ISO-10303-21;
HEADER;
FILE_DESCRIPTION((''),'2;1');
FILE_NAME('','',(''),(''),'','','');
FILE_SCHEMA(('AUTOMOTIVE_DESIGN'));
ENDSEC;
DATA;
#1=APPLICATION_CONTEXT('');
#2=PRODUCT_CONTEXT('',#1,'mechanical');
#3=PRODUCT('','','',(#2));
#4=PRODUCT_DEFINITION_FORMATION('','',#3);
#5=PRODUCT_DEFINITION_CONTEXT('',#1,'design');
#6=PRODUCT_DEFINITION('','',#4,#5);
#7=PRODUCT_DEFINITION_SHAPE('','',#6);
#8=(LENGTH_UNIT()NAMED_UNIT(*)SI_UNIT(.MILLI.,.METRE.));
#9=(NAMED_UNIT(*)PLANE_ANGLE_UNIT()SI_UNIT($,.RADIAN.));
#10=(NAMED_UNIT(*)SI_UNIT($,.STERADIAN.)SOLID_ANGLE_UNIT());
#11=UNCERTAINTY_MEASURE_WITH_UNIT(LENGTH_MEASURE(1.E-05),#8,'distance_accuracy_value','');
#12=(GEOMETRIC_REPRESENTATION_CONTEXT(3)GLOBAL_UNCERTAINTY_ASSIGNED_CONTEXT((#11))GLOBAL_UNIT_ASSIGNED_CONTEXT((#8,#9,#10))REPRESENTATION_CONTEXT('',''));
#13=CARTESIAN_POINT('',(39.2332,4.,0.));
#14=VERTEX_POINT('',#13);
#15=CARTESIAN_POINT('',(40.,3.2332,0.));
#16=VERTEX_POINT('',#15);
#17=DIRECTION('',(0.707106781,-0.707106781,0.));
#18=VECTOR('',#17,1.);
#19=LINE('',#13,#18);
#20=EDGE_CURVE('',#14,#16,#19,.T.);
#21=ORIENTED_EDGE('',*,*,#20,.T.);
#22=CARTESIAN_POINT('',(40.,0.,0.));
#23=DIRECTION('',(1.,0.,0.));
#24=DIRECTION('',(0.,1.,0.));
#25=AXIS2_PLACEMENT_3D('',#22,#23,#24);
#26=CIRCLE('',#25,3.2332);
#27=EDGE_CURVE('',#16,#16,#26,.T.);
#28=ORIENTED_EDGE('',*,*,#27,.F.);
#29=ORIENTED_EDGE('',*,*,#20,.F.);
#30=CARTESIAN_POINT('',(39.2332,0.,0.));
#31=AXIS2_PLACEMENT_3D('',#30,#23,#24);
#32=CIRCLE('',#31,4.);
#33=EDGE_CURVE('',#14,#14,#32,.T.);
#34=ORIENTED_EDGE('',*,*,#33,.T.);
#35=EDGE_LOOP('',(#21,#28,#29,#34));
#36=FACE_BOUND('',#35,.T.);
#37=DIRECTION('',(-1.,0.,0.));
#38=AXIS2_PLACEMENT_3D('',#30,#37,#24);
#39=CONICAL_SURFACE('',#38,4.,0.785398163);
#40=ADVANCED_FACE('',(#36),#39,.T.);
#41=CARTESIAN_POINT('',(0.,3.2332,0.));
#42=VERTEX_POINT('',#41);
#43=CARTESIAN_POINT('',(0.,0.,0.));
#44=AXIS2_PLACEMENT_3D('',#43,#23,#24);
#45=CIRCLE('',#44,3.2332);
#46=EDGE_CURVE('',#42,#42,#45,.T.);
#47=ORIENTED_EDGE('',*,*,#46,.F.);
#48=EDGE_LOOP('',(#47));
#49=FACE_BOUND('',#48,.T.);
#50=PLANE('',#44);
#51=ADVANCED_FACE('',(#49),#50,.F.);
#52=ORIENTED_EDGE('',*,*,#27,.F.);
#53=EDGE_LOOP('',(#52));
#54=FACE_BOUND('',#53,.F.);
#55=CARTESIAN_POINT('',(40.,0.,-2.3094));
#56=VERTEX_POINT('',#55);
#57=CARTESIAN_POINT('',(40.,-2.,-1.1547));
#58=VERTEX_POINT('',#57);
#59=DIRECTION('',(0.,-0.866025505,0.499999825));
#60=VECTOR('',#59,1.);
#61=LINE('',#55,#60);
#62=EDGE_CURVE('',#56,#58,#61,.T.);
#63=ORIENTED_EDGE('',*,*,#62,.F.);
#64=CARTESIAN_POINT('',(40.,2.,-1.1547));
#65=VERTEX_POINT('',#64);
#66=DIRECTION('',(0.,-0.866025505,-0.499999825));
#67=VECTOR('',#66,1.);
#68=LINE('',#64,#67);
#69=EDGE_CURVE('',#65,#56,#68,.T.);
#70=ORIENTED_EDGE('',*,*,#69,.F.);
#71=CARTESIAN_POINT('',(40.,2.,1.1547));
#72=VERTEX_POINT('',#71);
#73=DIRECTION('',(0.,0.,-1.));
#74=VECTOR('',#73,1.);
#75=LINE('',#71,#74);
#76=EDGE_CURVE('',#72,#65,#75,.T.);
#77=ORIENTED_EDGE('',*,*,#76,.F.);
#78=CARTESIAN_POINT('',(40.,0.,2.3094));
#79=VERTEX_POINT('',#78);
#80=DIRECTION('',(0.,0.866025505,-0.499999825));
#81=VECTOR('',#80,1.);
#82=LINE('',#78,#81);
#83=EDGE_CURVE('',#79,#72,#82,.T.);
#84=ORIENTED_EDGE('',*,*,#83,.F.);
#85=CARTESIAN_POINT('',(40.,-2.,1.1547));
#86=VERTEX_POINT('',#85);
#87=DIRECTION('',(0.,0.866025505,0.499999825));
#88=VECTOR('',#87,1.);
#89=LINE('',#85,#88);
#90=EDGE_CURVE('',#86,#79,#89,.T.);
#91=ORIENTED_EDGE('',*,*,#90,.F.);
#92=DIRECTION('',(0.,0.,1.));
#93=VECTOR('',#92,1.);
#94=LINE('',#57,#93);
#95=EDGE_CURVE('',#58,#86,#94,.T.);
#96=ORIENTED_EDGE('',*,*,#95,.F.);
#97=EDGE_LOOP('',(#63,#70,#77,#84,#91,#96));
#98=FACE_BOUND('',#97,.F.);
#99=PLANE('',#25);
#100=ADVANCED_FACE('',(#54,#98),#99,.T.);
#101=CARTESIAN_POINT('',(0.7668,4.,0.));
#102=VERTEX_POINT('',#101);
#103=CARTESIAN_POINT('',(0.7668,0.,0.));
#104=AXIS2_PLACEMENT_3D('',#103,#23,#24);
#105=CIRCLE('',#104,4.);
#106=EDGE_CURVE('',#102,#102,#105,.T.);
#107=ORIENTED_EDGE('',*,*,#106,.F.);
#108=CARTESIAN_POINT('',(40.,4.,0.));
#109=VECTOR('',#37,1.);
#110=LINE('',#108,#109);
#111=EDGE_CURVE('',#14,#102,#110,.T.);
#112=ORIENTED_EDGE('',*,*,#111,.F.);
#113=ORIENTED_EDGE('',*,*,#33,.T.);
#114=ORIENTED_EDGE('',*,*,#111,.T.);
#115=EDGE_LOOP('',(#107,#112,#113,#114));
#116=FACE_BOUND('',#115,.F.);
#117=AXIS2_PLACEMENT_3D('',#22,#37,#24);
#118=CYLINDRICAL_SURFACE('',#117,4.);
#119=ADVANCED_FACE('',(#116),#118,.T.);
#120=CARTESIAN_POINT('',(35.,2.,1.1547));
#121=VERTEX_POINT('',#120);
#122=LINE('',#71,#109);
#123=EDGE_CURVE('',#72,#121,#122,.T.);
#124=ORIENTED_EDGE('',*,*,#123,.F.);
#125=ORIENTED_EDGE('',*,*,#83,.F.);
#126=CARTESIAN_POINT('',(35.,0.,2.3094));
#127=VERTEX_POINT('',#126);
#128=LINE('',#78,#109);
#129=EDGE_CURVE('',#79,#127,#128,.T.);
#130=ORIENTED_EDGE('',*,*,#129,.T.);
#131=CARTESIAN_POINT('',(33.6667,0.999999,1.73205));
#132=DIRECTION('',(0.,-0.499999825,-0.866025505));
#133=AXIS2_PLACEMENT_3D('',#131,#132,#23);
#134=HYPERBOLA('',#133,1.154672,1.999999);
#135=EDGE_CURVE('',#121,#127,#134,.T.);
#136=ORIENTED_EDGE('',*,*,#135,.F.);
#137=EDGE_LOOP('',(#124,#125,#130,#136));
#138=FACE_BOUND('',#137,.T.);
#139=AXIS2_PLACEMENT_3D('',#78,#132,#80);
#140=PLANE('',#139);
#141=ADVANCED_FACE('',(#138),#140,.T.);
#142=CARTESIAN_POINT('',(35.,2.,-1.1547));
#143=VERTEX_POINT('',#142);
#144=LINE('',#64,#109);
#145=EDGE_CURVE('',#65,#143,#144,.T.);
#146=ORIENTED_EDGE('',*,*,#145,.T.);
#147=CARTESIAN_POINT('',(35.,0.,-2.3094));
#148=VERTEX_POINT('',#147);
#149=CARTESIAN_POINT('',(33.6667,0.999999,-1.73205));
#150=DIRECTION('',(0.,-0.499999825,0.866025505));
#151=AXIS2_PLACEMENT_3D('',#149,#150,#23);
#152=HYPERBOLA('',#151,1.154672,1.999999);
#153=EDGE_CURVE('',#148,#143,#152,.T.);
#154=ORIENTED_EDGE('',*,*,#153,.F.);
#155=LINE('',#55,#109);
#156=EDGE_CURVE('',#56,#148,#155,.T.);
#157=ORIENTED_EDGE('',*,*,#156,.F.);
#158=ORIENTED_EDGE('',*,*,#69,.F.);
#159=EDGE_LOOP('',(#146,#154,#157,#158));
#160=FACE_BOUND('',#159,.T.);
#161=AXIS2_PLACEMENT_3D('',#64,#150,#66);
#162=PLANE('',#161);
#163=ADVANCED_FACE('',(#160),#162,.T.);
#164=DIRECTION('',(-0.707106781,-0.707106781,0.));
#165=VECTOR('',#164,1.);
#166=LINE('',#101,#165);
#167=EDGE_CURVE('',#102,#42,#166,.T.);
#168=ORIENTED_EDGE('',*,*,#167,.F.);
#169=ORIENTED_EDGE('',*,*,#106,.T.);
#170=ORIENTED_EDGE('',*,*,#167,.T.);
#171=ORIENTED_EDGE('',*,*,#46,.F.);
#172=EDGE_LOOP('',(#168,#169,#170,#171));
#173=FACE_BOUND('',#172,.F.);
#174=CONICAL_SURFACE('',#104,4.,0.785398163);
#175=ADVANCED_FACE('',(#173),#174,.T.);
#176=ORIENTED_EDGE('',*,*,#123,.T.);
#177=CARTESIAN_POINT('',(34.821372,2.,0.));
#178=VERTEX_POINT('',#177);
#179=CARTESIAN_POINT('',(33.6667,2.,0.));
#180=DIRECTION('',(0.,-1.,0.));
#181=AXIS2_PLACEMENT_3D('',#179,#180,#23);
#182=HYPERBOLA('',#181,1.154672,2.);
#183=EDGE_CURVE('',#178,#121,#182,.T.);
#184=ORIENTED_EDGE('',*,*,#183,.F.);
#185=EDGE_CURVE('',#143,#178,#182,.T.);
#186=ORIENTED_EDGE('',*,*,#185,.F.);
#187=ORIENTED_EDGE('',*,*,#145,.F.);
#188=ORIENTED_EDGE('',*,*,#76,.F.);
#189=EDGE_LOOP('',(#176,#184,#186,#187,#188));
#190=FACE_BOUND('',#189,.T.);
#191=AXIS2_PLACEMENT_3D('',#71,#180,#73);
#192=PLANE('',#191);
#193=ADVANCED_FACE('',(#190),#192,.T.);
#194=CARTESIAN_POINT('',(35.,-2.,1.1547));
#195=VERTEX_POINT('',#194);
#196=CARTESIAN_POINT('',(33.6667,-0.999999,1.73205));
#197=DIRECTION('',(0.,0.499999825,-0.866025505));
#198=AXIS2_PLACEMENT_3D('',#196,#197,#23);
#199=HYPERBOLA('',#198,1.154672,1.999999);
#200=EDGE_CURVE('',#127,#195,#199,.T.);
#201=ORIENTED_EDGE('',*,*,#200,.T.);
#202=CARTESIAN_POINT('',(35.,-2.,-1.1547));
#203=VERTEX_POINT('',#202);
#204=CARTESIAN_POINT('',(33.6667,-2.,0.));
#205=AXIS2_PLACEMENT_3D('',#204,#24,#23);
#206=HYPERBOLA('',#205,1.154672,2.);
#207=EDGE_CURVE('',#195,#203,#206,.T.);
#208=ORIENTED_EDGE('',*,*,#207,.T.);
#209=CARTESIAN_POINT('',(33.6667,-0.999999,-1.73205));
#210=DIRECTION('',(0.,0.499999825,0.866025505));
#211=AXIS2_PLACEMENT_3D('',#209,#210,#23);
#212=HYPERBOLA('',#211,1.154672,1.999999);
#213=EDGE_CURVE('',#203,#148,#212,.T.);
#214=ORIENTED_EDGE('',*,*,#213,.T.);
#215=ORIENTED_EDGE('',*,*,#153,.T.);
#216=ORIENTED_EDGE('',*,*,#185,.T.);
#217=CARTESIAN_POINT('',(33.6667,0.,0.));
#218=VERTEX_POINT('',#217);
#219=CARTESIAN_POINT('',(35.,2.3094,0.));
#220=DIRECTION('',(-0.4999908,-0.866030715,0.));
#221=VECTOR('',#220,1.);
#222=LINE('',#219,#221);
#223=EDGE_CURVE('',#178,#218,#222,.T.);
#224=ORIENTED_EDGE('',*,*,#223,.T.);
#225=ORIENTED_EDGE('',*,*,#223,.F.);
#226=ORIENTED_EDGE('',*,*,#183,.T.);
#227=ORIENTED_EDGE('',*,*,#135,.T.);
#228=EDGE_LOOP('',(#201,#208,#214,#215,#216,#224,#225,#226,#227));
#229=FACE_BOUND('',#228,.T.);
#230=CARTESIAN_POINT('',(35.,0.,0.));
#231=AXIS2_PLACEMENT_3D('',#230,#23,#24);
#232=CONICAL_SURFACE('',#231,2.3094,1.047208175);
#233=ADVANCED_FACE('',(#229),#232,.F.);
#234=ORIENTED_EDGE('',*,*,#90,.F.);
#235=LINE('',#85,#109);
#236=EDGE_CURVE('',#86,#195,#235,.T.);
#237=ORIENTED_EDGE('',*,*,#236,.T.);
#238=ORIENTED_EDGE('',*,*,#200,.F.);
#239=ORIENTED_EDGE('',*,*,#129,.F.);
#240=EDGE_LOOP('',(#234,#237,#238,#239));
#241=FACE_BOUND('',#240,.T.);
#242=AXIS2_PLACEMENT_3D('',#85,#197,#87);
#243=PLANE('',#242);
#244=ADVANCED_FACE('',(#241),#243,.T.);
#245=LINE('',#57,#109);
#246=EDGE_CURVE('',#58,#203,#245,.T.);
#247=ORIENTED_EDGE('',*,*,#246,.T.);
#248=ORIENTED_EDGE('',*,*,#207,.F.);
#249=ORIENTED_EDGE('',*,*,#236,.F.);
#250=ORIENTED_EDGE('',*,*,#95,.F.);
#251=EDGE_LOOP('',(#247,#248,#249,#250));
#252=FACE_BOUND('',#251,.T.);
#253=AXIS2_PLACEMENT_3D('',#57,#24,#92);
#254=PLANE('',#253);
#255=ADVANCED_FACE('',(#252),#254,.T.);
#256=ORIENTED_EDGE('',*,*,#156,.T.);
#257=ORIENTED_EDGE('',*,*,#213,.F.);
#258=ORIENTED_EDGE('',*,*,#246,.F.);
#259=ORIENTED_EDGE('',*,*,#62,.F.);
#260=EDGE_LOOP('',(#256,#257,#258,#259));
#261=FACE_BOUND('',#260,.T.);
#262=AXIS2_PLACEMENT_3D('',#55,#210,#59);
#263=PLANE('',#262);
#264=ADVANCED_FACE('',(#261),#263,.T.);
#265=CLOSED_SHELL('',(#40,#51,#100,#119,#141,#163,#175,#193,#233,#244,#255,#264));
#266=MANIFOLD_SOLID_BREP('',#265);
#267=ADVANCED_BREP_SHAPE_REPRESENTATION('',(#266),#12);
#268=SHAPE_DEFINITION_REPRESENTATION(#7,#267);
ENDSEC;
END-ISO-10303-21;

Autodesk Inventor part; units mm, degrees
ref_plane "YZ Plane" through (0, 0, 0) normal (1, 0, 0) x (0, 1, 0)
ref_plane "XZ Plane" through (0, 0, 0) normal (0, 1, 0) x (-1, 0, 0)
sketch "Sketch1" plane through (0, 0, 0) normal (0, 0, 1) x (1, 0, 0)
  line L0 (0, 0) -> (33.6667, 0)
  line L1 (40, 2.3094) -> (40, 4)
  line L2 (40, 4) -> (0, 4)
  line L3 (40, 2.3094) -> (35, 2.3094)
  line L4 (35, 2.3094) -> (33.6667, 0)
  line L5 (0, -0.8) -> (0, 4.8) projected
  line L6 (0, 4) -> (0, 0)
  dimension "d0" = 5
  dimension "d1" = 60
  dimension "d2" = 8
  dimension "d3" = 4.6188
  dimension "d5" = 40
revolve "Body" add sketch "Sketch1" angle 360 about axis through (0, 0, 0) along (1, 0, 0)
chamfer "Chamfer1" distance 0.7668 angle 45 1 edges at (40, -4, 0) measured on face at (40, 3.3754, -0.5033)
sketch "Sketch2" plane through (40, 0, 0) normal (1, 0, 0) x (0, 0, -1)
  circle A0 centre (0, 0) radius 2.3094 projected
  line L0 (-1.1547, 2) -> (1.1547, 2)
  line L1 (1.1547, 2) -> (2.3094, 0)
  line L2 (2.3094, 0) -> (1.1547, -2)
  line L3 (1.1547, -2) -> (-1.1547, -2)
  line L4 (-1.1547, -2) -> (-2.3094, 0)
  line L5 (-2.3094, 0) -> (-1.1547, 2)
extrude "Slot" add sketch "Sketch2" against normal up to next contours L1 A0 | A0 L2 | L0 A0 | A0 L3 | L5 A0 | A0 L4
thread "Thread" size "M8x1.25" class "6g" standard "ISO Metric profile" length 40
chamfer "Chamfer2" distance 0.7668 angle 45 1 edges at (0, -4, 0) measured on face at (13.0777, 3.9482, -0.6416)
ref_plane "Work Plane1" through (20, 0, 0) normal (0, 0.5, 0.866) x (1, 0, 0)
equation "\"d7\" = -0.5 * GD1 + 0.5 * NND"
equation "\"d8\" = FAWI"
equation "\"d29\" = -0.5 * GD1 + 0.5 * NND"
equation "\"d11\" = NLG"
equation "\"d13\" = -0.5 * GD1 + 0.5 * NND"
equation "\"d14\" = FAWI"
equation "\"d30\" = -0.5 * GD1 + 0.5 * NND"
equation "\"d0\" = INTI"
equation "\"d2\" = NND"
equation "\"d3\" = 1.1547 * SW"
equation "\"d5\" = NLG"
equation "\"NND\" = 8"
equation "\"NLG\" = 40"
equation "\"INTI\" = 5"
equation "\"FAWI\" = 45deg"
equation "\"SW\" = 4"
equation "\"GD1\" = THREADDIA - 1.2269 * PTC"
equation "\"FAWI1\" = 45deg"
equation "\"GUL\" = 0.61345 * PTC"
equation "\"SPD\" = 5.5"
equation "\"SEWI\" = 90deg"
equation "\"TOA\" = 30deg"
equation "\"THREADDIA\" = 8"
equation "\"PTC\" = 1.25"
equation "\"GAL\" = 0.61345 * PTC"
equation "\"E0\" = 1.155 * SW"
properties part number "ISO 4026 - M8 x 40" material "Stainless Steel, 440C"
